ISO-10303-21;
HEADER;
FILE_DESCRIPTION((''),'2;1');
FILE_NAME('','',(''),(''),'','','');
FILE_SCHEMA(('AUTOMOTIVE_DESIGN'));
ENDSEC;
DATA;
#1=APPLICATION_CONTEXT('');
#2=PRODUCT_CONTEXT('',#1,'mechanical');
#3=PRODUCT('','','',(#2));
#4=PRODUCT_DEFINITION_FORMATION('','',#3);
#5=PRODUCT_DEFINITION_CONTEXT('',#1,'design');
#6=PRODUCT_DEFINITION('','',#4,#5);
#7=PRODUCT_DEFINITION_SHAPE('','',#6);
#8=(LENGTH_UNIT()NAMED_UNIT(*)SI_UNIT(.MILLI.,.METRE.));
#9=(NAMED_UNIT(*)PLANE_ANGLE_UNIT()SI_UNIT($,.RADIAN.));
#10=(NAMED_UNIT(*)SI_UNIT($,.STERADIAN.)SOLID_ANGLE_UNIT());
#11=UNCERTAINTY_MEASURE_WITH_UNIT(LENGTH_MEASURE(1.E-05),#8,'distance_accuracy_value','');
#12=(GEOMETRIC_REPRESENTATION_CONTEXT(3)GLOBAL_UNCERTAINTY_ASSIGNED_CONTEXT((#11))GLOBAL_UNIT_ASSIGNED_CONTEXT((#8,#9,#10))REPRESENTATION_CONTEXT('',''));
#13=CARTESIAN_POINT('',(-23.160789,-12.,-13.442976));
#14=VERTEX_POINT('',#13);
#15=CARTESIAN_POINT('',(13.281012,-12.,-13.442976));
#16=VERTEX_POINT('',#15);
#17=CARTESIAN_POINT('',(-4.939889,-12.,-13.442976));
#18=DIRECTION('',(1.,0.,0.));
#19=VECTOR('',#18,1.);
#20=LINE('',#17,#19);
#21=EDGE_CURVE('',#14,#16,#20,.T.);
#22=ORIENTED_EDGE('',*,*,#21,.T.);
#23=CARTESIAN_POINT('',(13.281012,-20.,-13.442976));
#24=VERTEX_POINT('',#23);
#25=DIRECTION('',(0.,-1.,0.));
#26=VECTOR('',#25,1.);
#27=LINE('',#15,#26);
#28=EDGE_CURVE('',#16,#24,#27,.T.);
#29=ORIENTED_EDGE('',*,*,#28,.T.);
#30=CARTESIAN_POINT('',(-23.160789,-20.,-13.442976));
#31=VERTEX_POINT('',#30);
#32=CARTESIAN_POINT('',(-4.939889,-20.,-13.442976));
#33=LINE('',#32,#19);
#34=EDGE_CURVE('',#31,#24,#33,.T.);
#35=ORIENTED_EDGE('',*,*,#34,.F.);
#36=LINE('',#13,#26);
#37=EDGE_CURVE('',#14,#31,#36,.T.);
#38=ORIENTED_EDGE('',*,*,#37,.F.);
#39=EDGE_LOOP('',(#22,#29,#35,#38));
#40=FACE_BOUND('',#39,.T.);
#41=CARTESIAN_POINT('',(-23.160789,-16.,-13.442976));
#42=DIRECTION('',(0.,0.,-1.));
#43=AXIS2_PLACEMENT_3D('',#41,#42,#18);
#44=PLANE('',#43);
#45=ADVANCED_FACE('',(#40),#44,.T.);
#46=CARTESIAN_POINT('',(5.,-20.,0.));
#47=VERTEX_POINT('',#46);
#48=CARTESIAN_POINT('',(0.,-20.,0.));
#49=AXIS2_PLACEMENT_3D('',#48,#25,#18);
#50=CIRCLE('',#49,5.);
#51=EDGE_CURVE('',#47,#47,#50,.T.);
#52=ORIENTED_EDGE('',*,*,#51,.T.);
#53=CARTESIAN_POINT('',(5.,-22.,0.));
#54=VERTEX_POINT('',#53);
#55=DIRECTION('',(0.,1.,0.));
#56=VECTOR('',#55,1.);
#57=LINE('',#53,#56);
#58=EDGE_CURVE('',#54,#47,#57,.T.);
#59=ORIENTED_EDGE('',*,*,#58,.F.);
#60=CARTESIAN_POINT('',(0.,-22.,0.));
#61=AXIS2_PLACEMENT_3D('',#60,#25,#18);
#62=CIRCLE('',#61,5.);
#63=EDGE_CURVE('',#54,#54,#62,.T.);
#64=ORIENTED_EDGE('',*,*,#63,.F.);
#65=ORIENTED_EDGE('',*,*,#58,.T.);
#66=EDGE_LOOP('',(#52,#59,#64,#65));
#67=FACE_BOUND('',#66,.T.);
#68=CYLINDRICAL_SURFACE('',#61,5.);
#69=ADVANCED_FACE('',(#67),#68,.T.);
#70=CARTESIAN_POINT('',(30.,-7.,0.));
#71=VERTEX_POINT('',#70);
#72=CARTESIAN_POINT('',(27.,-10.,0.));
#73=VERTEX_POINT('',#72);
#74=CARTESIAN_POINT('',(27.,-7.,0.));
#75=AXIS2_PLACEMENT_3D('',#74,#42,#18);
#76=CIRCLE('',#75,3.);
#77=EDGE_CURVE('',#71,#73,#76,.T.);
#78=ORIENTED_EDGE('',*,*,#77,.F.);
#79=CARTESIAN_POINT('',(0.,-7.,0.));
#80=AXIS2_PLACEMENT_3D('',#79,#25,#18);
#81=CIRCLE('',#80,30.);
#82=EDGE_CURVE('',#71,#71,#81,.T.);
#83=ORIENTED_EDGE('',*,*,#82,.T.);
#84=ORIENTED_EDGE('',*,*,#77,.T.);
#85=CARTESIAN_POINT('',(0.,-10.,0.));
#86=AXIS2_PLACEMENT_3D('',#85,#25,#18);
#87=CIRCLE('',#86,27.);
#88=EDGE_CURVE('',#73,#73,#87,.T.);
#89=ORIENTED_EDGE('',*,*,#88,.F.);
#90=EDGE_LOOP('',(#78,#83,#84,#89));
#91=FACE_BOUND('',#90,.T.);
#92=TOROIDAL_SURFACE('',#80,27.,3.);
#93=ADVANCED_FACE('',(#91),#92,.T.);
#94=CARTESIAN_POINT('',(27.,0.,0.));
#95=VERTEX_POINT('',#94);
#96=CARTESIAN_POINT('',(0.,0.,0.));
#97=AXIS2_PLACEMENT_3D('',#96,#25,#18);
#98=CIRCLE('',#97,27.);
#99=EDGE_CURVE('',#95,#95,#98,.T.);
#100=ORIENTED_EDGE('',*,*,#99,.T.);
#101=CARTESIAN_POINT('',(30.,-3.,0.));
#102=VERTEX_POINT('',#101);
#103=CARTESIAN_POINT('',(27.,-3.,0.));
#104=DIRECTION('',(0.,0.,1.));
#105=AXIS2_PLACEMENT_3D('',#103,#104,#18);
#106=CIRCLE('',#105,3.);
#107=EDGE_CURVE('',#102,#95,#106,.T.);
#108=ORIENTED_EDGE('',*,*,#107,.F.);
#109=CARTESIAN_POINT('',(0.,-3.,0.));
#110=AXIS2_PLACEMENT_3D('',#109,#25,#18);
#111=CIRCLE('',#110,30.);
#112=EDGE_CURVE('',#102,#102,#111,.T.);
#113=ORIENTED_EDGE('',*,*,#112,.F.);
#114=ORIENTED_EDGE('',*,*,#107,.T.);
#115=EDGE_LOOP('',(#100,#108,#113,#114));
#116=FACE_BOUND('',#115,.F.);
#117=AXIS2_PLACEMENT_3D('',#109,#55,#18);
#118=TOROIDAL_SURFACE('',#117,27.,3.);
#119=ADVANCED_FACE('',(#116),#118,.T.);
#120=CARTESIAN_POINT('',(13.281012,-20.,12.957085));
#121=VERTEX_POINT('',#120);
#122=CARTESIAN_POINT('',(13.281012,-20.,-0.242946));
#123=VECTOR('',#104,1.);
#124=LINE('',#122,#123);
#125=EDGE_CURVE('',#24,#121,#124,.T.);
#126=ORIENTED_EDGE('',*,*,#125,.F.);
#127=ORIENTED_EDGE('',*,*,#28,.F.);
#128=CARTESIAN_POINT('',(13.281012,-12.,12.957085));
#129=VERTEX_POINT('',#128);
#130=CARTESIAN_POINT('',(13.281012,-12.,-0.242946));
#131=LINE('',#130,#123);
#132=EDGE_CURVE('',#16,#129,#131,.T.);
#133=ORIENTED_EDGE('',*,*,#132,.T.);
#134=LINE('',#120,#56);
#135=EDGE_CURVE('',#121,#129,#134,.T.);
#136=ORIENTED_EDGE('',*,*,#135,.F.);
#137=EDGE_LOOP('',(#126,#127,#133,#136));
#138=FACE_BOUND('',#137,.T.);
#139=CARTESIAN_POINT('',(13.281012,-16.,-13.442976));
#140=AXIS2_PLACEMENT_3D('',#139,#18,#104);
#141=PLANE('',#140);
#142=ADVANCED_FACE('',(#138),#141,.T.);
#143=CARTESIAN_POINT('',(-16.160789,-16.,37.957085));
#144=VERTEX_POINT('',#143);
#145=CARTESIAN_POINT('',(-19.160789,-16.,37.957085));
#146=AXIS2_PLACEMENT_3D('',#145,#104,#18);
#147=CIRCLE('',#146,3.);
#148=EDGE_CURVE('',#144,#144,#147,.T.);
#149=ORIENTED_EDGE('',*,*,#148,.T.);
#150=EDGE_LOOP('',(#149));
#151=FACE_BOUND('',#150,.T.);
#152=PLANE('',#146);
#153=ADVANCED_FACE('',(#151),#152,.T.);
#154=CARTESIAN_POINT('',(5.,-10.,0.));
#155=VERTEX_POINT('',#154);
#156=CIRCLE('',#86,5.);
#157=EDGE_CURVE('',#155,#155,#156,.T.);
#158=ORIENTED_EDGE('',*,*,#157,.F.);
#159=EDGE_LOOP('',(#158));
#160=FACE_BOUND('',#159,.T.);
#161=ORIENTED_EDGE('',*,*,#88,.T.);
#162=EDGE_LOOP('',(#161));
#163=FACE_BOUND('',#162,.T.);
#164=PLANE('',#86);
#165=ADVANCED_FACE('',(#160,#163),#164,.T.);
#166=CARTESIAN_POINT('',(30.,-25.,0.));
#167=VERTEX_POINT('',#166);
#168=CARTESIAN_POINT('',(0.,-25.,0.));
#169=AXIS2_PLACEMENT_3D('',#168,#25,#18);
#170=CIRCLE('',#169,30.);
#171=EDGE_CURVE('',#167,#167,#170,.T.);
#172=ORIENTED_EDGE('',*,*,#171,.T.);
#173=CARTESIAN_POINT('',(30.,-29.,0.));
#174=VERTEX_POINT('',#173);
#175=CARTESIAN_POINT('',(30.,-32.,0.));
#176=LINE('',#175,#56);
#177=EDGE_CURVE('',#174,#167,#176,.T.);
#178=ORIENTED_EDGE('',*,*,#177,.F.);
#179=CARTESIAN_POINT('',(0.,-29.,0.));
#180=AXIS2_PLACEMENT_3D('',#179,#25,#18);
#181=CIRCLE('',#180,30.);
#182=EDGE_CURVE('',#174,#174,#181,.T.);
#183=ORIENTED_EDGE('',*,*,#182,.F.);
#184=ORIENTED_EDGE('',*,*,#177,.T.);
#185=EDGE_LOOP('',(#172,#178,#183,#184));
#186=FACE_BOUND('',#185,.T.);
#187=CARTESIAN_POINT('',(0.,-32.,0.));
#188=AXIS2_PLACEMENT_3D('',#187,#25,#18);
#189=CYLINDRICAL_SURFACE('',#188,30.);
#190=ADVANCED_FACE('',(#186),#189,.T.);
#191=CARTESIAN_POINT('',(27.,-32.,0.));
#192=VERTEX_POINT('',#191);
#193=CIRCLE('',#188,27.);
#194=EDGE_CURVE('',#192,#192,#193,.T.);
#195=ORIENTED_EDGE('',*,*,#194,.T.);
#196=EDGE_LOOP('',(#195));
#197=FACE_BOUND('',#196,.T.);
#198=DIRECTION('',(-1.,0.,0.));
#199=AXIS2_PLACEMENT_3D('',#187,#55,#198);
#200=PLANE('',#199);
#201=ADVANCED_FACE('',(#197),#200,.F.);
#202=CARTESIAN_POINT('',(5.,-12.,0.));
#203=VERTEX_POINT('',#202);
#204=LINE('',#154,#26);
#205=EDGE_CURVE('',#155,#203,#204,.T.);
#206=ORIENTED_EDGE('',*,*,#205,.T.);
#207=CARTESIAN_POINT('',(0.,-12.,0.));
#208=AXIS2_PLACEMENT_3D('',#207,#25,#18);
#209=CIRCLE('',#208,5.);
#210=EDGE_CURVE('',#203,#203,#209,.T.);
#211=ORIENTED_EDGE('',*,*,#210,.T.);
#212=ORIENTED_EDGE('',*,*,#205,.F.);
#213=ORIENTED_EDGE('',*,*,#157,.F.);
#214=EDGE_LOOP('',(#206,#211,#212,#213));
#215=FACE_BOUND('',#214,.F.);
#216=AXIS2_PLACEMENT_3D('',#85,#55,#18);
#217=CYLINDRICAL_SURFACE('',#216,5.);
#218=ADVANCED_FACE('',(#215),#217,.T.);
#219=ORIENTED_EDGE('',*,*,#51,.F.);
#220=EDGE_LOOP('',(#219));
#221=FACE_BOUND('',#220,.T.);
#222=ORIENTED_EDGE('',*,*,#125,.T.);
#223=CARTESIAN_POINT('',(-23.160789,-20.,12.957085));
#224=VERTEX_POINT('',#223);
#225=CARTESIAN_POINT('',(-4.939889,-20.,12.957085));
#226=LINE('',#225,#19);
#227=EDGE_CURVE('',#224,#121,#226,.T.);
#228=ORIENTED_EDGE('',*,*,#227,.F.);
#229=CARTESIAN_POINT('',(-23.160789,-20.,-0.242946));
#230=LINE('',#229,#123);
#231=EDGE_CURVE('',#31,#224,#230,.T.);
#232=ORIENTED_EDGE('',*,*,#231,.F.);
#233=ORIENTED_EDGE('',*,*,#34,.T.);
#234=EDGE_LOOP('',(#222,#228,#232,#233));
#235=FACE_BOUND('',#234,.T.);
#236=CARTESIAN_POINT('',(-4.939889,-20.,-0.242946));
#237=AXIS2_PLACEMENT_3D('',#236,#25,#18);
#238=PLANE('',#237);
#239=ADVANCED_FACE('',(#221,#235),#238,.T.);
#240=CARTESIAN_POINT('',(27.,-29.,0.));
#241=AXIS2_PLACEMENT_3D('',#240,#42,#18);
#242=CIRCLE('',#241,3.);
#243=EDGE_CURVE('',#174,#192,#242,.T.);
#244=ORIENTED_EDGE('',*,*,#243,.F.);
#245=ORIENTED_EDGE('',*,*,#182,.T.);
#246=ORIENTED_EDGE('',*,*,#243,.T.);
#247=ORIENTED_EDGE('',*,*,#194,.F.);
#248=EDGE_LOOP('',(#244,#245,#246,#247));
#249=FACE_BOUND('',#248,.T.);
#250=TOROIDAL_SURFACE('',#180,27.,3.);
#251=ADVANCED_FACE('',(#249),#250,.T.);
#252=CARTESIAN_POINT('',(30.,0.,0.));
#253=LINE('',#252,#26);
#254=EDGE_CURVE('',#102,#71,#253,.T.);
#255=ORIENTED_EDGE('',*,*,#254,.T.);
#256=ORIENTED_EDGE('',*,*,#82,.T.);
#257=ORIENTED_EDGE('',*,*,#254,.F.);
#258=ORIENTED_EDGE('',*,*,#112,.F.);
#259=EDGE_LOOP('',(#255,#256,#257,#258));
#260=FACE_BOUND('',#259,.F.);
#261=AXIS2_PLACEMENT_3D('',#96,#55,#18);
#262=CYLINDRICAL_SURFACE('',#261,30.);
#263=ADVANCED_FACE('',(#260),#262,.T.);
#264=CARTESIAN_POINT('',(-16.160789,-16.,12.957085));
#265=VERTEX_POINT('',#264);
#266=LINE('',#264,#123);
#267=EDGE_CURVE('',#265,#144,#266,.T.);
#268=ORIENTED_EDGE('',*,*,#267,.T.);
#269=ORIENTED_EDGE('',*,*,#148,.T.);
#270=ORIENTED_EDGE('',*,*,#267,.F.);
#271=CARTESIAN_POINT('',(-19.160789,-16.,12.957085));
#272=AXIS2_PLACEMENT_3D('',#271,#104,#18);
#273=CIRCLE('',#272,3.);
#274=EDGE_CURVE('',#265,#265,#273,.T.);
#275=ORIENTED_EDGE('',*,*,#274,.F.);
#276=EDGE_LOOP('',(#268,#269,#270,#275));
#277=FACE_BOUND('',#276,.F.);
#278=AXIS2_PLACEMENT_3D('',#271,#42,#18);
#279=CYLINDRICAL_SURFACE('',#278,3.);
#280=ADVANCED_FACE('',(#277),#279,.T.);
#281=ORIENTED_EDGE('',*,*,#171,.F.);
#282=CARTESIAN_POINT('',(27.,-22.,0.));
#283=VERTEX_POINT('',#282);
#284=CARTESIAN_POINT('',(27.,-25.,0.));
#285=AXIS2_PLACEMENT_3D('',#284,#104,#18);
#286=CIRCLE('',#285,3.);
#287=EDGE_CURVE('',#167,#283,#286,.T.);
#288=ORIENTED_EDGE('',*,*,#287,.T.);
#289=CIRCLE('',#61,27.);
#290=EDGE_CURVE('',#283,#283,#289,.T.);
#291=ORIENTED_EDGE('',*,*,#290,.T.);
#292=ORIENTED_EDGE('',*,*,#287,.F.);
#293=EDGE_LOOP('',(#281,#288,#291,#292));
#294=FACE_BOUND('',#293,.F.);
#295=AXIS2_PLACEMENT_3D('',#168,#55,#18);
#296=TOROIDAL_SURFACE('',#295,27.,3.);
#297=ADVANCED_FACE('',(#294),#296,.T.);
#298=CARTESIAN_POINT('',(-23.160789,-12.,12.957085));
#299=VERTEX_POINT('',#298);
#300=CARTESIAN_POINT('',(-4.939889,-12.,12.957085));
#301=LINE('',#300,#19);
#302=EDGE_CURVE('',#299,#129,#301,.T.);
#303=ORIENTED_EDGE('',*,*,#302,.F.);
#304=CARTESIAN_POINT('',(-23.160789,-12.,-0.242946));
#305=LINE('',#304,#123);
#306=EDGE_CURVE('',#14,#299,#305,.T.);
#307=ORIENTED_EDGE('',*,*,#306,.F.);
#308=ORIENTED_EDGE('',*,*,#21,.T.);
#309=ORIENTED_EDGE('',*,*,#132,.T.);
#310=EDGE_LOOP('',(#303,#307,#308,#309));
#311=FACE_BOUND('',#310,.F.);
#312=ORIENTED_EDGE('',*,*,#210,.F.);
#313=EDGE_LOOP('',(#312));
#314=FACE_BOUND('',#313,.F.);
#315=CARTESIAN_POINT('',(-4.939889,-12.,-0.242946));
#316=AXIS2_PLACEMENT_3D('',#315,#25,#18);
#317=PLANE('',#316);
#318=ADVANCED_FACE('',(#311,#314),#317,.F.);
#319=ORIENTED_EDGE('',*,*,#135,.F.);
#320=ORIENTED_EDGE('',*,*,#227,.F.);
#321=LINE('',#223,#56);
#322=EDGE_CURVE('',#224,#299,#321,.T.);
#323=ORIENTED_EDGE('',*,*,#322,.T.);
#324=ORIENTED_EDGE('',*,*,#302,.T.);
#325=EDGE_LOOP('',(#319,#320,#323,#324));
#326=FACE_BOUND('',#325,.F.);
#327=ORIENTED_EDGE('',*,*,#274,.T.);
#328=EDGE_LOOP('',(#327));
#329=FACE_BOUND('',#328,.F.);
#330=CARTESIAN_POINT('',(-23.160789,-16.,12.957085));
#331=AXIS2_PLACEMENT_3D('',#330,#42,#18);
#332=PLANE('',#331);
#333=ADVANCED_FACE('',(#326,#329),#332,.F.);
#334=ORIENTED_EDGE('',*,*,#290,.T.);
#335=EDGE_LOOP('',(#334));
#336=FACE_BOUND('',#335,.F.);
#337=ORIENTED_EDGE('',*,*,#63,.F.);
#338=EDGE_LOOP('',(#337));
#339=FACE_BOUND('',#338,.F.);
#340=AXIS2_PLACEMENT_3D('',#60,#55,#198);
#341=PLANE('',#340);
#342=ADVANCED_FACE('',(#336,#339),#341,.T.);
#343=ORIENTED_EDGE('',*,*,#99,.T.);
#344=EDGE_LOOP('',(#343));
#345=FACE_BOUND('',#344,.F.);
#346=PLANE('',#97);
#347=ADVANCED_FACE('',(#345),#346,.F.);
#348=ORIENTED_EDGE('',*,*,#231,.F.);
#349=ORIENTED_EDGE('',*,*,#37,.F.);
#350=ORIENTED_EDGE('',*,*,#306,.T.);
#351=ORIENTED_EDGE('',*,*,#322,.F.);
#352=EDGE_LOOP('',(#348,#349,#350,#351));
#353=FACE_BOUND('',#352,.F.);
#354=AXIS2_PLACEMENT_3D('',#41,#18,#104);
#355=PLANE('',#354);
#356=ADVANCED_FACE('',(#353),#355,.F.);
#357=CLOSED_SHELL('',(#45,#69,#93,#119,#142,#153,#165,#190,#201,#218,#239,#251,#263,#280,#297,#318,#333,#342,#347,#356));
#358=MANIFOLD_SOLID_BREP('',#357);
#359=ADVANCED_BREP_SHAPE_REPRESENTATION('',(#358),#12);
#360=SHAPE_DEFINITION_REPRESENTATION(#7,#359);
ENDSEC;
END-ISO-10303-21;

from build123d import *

# Parameters (mm, degrees)
F0_R     = 30
F1_DEPTH = 10
F2_R     = 3
F3_R     = 5
F4_DEPTH = 6
F6_W     = 36.4418011159
F6_H     = 26.4000613242
F6_R     = 5
F7_DEPTH = 4
F8_R     = 3
F9_DEPTH = 25


with BuildPart() as f1:
    # F0 (on Front) → F1 (new body)
    with BuildSketch(Plane.XZ):
        Circle(F0_R)
    extrude(amount=F1_DEPTH)

    # F2
    f2_edges = [f1.edges().sort_by_distance(p)[0] for p in [
        (30, -5, 0),
        (-30, 0, 0),
        (-30, -10, 0),
    ]]
    fillet(f2_edges, radius=F2_R)

    # F3 (on face) → F4 (join)
    with BuildSketch(Plane.XZ.offset(10)):
        Circle(F3_R)
    extrude(amount=F4_DEPTH)


with BuildPart() as f5_1:
    # F5: instance of F1
    add(f1.part.mirror(Plane.XZ.offset(16)))


with BuildPart() as f1_1:
    add(f1.part)

    add(f5_1.part)  # F7 merges F5_1
    # F6 (on face) → F7 (join, symmetric)
    with BuildSketch(Plane.XZ.offset(16)):
        with Locations((-4.939888604, -0.2429457381)):
            Rectangle(F6_W, F6_H)
        Circle(F6_R, mode=Mode.SUBTRACT)
    extrude(amount=F7_DEPTH, both=True)

    # F8 (on face) → F9 (join)
    with BuildSketch(Plane.XY.offset(12.957084924)):
        with Locations((-19.1607891619, -16)):
            Circle(F8_R)
    extrude(amount=F9_DEPTH)


solid = f1_1.part
